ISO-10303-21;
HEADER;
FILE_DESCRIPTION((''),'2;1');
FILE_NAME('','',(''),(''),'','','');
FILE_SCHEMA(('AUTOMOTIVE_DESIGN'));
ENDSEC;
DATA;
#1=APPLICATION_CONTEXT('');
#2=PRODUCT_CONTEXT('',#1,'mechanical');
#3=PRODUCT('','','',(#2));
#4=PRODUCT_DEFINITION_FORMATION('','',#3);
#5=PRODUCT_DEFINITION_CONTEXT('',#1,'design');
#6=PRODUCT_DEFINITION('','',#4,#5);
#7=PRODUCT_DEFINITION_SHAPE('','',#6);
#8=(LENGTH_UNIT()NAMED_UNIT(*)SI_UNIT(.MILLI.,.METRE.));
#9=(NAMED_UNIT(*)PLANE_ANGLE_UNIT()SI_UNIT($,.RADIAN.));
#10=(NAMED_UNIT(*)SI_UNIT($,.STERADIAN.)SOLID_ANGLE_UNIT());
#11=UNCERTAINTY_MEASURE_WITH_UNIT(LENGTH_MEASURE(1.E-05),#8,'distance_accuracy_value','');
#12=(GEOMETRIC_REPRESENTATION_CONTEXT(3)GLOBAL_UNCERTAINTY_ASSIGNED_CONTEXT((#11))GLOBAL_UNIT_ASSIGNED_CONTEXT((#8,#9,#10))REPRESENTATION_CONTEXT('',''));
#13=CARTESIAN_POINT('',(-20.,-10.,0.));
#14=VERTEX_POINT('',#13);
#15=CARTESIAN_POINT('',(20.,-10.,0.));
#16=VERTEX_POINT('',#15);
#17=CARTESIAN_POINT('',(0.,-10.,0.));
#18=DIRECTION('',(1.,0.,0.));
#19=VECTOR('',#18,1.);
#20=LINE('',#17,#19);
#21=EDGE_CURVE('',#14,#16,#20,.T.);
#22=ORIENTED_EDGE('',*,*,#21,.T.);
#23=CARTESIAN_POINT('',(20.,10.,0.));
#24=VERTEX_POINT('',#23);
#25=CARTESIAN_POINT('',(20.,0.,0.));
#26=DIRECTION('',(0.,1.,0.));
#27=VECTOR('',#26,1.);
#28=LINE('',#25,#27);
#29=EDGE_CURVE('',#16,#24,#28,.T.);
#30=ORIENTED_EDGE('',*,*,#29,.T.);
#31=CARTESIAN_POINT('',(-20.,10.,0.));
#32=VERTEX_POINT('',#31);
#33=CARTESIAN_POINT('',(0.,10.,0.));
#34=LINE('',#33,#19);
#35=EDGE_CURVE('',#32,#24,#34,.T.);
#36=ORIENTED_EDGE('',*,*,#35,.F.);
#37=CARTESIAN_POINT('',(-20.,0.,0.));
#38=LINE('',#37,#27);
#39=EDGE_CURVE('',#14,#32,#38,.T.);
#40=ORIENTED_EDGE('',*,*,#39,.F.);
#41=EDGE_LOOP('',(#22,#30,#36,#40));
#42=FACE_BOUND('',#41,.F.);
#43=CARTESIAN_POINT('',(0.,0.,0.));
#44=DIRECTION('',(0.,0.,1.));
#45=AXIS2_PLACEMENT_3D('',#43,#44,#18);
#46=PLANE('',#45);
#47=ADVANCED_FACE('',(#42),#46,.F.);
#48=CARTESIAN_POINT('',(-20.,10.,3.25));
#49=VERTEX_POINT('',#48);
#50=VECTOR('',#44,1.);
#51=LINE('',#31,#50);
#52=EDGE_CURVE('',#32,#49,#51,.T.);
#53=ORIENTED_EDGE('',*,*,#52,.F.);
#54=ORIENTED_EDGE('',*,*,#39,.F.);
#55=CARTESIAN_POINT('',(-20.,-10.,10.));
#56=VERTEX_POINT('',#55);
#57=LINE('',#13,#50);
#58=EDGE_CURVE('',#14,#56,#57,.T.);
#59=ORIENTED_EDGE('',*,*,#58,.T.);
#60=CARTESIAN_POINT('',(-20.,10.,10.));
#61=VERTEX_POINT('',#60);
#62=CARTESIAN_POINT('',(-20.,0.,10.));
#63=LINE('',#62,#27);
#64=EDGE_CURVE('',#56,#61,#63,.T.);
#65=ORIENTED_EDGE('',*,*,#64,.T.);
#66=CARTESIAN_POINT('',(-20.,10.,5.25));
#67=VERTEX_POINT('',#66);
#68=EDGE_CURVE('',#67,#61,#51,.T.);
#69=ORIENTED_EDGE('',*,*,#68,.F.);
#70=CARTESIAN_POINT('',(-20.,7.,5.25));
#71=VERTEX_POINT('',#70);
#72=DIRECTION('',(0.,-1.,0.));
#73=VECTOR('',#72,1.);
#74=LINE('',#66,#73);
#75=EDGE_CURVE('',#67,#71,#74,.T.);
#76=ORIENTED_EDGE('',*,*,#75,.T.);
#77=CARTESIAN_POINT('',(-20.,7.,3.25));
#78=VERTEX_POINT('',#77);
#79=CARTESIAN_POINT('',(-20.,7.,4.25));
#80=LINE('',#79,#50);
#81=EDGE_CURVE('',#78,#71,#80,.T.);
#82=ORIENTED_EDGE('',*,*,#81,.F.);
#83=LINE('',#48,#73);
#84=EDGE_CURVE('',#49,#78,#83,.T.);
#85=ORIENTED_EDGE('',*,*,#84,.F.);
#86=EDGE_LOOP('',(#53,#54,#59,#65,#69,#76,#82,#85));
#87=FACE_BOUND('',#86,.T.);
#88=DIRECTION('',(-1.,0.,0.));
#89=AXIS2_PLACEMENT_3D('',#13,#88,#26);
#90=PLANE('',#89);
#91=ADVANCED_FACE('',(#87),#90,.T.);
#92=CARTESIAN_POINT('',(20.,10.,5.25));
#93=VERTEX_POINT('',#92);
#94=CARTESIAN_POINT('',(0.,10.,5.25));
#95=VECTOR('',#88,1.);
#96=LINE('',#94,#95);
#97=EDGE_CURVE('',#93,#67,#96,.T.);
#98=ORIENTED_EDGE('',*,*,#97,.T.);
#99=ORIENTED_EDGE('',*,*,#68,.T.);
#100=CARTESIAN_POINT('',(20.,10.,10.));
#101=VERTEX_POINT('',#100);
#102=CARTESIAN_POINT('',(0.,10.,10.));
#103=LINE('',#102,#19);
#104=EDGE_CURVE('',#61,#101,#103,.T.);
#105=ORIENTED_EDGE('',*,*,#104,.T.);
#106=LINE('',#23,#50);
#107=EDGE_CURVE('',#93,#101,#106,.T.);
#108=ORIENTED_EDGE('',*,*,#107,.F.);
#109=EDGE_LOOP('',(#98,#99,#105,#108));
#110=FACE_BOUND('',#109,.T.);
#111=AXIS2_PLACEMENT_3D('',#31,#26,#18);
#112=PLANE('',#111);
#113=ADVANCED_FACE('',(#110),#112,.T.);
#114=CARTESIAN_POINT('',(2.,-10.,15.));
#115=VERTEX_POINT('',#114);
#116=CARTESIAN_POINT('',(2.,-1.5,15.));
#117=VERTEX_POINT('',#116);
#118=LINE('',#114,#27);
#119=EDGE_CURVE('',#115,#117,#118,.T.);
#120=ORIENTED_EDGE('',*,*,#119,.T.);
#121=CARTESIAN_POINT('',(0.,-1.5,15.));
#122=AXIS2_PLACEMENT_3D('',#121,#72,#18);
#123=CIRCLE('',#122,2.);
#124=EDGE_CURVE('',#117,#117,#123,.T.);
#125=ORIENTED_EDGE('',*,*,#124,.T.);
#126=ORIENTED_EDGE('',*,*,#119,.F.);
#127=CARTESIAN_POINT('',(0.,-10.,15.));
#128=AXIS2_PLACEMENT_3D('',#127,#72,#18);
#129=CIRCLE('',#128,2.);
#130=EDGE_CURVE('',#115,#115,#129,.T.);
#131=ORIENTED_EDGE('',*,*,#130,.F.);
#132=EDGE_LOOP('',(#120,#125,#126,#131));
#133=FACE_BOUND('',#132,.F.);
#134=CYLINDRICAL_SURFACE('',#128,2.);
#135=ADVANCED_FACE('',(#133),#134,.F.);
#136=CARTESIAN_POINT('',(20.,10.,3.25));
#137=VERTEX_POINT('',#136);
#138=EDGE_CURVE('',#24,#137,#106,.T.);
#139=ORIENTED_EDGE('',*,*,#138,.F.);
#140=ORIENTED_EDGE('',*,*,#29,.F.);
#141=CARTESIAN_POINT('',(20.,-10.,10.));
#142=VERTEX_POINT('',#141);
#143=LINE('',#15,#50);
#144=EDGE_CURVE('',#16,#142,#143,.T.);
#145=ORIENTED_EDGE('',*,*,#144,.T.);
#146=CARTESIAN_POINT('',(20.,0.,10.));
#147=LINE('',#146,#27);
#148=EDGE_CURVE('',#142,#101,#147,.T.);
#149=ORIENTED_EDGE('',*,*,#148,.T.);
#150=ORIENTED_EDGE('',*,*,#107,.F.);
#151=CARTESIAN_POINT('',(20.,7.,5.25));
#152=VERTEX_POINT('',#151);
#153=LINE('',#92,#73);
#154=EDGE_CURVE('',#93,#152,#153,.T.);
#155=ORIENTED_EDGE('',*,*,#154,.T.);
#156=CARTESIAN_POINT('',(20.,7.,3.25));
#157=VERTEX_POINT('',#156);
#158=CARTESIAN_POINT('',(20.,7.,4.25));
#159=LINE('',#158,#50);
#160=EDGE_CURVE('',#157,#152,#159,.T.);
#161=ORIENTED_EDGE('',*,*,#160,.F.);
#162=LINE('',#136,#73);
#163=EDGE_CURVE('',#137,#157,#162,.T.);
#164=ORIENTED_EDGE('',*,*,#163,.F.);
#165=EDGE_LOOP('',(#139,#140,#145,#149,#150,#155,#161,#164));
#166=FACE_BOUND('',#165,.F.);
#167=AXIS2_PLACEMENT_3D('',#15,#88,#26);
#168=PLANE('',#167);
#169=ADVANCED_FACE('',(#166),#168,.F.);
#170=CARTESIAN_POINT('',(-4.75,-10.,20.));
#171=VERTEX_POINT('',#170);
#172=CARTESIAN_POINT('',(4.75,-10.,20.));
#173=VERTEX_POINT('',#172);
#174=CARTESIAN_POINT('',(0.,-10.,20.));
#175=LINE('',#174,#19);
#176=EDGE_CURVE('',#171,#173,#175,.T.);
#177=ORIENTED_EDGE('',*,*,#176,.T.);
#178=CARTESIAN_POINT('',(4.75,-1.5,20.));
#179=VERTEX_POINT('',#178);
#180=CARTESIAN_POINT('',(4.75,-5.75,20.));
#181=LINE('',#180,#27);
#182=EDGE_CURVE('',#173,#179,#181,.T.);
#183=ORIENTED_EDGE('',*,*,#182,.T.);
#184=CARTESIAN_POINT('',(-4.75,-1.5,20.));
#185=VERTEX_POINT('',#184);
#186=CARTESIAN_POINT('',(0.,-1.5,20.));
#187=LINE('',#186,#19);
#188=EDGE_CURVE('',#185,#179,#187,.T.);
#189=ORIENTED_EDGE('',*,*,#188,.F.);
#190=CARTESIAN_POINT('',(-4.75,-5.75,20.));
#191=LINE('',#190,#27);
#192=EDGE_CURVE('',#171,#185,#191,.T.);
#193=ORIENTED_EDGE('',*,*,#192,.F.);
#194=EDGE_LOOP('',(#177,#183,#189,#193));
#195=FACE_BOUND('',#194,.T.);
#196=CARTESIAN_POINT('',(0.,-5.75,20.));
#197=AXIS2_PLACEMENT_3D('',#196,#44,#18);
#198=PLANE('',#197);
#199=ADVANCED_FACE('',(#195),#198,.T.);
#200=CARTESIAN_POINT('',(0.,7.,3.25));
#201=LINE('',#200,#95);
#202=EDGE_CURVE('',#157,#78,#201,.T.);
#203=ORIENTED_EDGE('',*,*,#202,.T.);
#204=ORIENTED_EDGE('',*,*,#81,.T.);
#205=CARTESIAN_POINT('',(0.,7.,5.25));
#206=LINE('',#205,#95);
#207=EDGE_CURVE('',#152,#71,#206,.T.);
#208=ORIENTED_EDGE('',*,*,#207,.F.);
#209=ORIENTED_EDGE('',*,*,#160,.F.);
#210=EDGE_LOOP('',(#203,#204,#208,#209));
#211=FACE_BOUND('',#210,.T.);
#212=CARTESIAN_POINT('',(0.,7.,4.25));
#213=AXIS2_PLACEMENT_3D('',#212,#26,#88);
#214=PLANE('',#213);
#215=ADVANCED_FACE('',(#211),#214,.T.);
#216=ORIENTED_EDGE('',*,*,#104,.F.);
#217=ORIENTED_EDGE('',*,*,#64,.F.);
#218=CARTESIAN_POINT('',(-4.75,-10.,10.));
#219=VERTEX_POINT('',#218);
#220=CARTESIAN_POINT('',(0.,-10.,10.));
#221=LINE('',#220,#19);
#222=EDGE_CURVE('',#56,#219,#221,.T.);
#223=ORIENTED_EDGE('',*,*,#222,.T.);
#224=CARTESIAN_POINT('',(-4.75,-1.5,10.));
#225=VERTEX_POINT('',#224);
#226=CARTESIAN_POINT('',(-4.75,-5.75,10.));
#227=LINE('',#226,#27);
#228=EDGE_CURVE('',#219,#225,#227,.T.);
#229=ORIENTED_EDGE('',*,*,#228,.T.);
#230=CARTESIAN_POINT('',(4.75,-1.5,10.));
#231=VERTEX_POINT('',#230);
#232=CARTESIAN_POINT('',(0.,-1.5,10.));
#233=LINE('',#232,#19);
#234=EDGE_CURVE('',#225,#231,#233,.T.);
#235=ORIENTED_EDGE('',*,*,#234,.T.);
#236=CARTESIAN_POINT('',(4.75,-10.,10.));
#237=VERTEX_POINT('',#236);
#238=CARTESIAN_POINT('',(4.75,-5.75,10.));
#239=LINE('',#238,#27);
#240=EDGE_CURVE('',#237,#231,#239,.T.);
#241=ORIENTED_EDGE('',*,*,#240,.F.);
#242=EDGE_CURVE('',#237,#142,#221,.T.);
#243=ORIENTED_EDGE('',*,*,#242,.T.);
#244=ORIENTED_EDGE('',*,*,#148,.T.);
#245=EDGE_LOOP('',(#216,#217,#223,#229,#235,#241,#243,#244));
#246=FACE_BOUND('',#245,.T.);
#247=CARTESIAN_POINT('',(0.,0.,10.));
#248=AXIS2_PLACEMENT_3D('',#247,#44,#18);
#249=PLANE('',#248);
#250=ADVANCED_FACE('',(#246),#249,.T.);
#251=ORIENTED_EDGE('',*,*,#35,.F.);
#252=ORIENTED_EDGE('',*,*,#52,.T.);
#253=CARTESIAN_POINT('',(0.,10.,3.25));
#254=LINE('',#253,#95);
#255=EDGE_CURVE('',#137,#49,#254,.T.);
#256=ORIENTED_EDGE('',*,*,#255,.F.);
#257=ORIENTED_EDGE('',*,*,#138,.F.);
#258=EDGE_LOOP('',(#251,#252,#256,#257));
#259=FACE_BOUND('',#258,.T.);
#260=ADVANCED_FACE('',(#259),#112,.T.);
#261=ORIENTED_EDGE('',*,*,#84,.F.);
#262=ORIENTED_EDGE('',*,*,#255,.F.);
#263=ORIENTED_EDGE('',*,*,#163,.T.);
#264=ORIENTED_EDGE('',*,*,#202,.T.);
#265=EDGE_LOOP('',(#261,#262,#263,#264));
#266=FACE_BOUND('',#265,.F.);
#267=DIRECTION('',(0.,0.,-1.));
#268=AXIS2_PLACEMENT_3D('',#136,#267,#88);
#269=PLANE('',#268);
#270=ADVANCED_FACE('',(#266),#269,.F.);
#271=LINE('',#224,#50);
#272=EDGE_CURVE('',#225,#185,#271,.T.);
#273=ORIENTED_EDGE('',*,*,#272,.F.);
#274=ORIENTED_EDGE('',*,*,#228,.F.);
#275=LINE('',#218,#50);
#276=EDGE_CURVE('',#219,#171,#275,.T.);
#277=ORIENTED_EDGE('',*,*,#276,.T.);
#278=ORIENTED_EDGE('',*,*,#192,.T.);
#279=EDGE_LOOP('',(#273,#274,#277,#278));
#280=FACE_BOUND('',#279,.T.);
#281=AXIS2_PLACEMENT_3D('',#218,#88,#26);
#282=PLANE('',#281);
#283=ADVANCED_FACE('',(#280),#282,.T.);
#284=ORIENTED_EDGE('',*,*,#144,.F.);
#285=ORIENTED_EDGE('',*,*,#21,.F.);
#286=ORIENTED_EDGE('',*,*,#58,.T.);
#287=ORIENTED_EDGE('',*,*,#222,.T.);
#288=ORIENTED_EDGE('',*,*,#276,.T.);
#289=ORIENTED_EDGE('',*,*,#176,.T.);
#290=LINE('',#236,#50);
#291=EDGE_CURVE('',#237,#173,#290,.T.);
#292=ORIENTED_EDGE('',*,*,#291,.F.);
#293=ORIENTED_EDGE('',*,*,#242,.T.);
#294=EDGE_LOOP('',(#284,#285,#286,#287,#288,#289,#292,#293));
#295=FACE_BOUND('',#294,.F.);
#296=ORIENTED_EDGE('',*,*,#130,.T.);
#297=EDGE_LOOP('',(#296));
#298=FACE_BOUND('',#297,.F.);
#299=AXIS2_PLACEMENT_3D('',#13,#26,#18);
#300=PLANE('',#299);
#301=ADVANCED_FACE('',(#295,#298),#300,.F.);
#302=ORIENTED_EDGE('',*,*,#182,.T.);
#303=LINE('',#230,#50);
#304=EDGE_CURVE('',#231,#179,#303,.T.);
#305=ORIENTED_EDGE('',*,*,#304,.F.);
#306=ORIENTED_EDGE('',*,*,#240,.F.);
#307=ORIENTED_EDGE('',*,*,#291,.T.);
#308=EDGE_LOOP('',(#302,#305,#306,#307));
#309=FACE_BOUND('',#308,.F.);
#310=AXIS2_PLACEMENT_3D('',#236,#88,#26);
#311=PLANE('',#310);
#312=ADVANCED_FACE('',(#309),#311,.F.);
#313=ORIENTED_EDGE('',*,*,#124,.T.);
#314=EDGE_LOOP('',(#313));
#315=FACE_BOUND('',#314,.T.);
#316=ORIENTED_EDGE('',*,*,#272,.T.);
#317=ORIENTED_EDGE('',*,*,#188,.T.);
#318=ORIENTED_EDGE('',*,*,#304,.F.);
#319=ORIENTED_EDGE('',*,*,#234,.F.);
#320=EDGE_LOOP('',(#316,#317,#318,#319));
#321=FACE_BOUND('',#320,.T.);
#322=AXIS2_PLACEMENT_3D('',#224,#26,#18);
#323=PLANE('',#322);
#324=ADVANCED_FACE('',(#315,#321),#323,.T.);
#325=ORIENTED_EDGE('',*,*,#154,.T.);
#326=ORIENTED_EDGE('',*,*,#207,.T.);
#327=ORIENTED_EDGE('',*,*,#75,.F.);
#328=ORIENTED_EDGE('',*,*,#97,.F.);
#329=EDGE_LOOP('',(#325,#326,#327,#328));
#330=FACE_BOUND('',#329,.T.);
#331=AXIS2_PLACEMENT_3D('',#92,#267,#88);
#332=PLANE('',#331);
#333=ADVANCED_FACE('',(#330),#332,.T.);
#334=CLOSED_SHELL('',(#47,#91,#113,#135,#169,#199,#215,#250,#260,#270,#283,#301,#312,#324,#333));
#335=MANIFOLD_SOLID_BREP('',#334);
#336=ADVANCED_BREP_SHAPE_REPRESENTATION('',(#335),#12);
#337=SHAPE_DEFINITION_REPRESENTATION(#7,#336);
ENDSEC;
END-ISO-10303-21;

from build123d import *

# Parameters (mm, degrees)
F0_W     = 40
F0_H     = 20
F1_DEPTH = 10
F2_W     = 9.5
F2_H     = 8.5
F3_DEPTH = 10
F4_R     = 2
F5_DEPTH = 10
F6_W     = 40
F6_H     = 2
F7_DEPTH = 3


with BuildPart() as f1:
    # F0 (on Top) → F1 (new body)
    with BuildSketch(Plane.XY):
        Rectangle(F0_W, F0_H)
    extrude(amount=F1_DEPTH)

    # F2 (on face) → F3 (join)
    with BuildSketch(Plane.XY.offset(10)):
        with Locations((0, -5.75)):
            Rectangle(F2_W, F2_H)
    extrude(amount=F3_DEPTH)

    # F4 (on face) → F5 (cut)
    with BuildSketch(Plane.XZ.offset(10)):
        with Locations((0, 15)):
            Circle(F4_R)
    extrude(amount=-F5_DEPTH, mode=Mode.SUBTRACT)

    # F6 (on face) → F7 (cut)
    with BuildSketch(Plane(origin=(0, 10, 0), x_dir=(-1, 0, 0), z_dir=(0, 1, 0))):
        with Locations((0, 4.25)):
            Rectangle(F6_W, F6_H)
    extrude(amount=-F7_DEPTH, mode=Mode.SUBTRACT)


solid = f1.part
